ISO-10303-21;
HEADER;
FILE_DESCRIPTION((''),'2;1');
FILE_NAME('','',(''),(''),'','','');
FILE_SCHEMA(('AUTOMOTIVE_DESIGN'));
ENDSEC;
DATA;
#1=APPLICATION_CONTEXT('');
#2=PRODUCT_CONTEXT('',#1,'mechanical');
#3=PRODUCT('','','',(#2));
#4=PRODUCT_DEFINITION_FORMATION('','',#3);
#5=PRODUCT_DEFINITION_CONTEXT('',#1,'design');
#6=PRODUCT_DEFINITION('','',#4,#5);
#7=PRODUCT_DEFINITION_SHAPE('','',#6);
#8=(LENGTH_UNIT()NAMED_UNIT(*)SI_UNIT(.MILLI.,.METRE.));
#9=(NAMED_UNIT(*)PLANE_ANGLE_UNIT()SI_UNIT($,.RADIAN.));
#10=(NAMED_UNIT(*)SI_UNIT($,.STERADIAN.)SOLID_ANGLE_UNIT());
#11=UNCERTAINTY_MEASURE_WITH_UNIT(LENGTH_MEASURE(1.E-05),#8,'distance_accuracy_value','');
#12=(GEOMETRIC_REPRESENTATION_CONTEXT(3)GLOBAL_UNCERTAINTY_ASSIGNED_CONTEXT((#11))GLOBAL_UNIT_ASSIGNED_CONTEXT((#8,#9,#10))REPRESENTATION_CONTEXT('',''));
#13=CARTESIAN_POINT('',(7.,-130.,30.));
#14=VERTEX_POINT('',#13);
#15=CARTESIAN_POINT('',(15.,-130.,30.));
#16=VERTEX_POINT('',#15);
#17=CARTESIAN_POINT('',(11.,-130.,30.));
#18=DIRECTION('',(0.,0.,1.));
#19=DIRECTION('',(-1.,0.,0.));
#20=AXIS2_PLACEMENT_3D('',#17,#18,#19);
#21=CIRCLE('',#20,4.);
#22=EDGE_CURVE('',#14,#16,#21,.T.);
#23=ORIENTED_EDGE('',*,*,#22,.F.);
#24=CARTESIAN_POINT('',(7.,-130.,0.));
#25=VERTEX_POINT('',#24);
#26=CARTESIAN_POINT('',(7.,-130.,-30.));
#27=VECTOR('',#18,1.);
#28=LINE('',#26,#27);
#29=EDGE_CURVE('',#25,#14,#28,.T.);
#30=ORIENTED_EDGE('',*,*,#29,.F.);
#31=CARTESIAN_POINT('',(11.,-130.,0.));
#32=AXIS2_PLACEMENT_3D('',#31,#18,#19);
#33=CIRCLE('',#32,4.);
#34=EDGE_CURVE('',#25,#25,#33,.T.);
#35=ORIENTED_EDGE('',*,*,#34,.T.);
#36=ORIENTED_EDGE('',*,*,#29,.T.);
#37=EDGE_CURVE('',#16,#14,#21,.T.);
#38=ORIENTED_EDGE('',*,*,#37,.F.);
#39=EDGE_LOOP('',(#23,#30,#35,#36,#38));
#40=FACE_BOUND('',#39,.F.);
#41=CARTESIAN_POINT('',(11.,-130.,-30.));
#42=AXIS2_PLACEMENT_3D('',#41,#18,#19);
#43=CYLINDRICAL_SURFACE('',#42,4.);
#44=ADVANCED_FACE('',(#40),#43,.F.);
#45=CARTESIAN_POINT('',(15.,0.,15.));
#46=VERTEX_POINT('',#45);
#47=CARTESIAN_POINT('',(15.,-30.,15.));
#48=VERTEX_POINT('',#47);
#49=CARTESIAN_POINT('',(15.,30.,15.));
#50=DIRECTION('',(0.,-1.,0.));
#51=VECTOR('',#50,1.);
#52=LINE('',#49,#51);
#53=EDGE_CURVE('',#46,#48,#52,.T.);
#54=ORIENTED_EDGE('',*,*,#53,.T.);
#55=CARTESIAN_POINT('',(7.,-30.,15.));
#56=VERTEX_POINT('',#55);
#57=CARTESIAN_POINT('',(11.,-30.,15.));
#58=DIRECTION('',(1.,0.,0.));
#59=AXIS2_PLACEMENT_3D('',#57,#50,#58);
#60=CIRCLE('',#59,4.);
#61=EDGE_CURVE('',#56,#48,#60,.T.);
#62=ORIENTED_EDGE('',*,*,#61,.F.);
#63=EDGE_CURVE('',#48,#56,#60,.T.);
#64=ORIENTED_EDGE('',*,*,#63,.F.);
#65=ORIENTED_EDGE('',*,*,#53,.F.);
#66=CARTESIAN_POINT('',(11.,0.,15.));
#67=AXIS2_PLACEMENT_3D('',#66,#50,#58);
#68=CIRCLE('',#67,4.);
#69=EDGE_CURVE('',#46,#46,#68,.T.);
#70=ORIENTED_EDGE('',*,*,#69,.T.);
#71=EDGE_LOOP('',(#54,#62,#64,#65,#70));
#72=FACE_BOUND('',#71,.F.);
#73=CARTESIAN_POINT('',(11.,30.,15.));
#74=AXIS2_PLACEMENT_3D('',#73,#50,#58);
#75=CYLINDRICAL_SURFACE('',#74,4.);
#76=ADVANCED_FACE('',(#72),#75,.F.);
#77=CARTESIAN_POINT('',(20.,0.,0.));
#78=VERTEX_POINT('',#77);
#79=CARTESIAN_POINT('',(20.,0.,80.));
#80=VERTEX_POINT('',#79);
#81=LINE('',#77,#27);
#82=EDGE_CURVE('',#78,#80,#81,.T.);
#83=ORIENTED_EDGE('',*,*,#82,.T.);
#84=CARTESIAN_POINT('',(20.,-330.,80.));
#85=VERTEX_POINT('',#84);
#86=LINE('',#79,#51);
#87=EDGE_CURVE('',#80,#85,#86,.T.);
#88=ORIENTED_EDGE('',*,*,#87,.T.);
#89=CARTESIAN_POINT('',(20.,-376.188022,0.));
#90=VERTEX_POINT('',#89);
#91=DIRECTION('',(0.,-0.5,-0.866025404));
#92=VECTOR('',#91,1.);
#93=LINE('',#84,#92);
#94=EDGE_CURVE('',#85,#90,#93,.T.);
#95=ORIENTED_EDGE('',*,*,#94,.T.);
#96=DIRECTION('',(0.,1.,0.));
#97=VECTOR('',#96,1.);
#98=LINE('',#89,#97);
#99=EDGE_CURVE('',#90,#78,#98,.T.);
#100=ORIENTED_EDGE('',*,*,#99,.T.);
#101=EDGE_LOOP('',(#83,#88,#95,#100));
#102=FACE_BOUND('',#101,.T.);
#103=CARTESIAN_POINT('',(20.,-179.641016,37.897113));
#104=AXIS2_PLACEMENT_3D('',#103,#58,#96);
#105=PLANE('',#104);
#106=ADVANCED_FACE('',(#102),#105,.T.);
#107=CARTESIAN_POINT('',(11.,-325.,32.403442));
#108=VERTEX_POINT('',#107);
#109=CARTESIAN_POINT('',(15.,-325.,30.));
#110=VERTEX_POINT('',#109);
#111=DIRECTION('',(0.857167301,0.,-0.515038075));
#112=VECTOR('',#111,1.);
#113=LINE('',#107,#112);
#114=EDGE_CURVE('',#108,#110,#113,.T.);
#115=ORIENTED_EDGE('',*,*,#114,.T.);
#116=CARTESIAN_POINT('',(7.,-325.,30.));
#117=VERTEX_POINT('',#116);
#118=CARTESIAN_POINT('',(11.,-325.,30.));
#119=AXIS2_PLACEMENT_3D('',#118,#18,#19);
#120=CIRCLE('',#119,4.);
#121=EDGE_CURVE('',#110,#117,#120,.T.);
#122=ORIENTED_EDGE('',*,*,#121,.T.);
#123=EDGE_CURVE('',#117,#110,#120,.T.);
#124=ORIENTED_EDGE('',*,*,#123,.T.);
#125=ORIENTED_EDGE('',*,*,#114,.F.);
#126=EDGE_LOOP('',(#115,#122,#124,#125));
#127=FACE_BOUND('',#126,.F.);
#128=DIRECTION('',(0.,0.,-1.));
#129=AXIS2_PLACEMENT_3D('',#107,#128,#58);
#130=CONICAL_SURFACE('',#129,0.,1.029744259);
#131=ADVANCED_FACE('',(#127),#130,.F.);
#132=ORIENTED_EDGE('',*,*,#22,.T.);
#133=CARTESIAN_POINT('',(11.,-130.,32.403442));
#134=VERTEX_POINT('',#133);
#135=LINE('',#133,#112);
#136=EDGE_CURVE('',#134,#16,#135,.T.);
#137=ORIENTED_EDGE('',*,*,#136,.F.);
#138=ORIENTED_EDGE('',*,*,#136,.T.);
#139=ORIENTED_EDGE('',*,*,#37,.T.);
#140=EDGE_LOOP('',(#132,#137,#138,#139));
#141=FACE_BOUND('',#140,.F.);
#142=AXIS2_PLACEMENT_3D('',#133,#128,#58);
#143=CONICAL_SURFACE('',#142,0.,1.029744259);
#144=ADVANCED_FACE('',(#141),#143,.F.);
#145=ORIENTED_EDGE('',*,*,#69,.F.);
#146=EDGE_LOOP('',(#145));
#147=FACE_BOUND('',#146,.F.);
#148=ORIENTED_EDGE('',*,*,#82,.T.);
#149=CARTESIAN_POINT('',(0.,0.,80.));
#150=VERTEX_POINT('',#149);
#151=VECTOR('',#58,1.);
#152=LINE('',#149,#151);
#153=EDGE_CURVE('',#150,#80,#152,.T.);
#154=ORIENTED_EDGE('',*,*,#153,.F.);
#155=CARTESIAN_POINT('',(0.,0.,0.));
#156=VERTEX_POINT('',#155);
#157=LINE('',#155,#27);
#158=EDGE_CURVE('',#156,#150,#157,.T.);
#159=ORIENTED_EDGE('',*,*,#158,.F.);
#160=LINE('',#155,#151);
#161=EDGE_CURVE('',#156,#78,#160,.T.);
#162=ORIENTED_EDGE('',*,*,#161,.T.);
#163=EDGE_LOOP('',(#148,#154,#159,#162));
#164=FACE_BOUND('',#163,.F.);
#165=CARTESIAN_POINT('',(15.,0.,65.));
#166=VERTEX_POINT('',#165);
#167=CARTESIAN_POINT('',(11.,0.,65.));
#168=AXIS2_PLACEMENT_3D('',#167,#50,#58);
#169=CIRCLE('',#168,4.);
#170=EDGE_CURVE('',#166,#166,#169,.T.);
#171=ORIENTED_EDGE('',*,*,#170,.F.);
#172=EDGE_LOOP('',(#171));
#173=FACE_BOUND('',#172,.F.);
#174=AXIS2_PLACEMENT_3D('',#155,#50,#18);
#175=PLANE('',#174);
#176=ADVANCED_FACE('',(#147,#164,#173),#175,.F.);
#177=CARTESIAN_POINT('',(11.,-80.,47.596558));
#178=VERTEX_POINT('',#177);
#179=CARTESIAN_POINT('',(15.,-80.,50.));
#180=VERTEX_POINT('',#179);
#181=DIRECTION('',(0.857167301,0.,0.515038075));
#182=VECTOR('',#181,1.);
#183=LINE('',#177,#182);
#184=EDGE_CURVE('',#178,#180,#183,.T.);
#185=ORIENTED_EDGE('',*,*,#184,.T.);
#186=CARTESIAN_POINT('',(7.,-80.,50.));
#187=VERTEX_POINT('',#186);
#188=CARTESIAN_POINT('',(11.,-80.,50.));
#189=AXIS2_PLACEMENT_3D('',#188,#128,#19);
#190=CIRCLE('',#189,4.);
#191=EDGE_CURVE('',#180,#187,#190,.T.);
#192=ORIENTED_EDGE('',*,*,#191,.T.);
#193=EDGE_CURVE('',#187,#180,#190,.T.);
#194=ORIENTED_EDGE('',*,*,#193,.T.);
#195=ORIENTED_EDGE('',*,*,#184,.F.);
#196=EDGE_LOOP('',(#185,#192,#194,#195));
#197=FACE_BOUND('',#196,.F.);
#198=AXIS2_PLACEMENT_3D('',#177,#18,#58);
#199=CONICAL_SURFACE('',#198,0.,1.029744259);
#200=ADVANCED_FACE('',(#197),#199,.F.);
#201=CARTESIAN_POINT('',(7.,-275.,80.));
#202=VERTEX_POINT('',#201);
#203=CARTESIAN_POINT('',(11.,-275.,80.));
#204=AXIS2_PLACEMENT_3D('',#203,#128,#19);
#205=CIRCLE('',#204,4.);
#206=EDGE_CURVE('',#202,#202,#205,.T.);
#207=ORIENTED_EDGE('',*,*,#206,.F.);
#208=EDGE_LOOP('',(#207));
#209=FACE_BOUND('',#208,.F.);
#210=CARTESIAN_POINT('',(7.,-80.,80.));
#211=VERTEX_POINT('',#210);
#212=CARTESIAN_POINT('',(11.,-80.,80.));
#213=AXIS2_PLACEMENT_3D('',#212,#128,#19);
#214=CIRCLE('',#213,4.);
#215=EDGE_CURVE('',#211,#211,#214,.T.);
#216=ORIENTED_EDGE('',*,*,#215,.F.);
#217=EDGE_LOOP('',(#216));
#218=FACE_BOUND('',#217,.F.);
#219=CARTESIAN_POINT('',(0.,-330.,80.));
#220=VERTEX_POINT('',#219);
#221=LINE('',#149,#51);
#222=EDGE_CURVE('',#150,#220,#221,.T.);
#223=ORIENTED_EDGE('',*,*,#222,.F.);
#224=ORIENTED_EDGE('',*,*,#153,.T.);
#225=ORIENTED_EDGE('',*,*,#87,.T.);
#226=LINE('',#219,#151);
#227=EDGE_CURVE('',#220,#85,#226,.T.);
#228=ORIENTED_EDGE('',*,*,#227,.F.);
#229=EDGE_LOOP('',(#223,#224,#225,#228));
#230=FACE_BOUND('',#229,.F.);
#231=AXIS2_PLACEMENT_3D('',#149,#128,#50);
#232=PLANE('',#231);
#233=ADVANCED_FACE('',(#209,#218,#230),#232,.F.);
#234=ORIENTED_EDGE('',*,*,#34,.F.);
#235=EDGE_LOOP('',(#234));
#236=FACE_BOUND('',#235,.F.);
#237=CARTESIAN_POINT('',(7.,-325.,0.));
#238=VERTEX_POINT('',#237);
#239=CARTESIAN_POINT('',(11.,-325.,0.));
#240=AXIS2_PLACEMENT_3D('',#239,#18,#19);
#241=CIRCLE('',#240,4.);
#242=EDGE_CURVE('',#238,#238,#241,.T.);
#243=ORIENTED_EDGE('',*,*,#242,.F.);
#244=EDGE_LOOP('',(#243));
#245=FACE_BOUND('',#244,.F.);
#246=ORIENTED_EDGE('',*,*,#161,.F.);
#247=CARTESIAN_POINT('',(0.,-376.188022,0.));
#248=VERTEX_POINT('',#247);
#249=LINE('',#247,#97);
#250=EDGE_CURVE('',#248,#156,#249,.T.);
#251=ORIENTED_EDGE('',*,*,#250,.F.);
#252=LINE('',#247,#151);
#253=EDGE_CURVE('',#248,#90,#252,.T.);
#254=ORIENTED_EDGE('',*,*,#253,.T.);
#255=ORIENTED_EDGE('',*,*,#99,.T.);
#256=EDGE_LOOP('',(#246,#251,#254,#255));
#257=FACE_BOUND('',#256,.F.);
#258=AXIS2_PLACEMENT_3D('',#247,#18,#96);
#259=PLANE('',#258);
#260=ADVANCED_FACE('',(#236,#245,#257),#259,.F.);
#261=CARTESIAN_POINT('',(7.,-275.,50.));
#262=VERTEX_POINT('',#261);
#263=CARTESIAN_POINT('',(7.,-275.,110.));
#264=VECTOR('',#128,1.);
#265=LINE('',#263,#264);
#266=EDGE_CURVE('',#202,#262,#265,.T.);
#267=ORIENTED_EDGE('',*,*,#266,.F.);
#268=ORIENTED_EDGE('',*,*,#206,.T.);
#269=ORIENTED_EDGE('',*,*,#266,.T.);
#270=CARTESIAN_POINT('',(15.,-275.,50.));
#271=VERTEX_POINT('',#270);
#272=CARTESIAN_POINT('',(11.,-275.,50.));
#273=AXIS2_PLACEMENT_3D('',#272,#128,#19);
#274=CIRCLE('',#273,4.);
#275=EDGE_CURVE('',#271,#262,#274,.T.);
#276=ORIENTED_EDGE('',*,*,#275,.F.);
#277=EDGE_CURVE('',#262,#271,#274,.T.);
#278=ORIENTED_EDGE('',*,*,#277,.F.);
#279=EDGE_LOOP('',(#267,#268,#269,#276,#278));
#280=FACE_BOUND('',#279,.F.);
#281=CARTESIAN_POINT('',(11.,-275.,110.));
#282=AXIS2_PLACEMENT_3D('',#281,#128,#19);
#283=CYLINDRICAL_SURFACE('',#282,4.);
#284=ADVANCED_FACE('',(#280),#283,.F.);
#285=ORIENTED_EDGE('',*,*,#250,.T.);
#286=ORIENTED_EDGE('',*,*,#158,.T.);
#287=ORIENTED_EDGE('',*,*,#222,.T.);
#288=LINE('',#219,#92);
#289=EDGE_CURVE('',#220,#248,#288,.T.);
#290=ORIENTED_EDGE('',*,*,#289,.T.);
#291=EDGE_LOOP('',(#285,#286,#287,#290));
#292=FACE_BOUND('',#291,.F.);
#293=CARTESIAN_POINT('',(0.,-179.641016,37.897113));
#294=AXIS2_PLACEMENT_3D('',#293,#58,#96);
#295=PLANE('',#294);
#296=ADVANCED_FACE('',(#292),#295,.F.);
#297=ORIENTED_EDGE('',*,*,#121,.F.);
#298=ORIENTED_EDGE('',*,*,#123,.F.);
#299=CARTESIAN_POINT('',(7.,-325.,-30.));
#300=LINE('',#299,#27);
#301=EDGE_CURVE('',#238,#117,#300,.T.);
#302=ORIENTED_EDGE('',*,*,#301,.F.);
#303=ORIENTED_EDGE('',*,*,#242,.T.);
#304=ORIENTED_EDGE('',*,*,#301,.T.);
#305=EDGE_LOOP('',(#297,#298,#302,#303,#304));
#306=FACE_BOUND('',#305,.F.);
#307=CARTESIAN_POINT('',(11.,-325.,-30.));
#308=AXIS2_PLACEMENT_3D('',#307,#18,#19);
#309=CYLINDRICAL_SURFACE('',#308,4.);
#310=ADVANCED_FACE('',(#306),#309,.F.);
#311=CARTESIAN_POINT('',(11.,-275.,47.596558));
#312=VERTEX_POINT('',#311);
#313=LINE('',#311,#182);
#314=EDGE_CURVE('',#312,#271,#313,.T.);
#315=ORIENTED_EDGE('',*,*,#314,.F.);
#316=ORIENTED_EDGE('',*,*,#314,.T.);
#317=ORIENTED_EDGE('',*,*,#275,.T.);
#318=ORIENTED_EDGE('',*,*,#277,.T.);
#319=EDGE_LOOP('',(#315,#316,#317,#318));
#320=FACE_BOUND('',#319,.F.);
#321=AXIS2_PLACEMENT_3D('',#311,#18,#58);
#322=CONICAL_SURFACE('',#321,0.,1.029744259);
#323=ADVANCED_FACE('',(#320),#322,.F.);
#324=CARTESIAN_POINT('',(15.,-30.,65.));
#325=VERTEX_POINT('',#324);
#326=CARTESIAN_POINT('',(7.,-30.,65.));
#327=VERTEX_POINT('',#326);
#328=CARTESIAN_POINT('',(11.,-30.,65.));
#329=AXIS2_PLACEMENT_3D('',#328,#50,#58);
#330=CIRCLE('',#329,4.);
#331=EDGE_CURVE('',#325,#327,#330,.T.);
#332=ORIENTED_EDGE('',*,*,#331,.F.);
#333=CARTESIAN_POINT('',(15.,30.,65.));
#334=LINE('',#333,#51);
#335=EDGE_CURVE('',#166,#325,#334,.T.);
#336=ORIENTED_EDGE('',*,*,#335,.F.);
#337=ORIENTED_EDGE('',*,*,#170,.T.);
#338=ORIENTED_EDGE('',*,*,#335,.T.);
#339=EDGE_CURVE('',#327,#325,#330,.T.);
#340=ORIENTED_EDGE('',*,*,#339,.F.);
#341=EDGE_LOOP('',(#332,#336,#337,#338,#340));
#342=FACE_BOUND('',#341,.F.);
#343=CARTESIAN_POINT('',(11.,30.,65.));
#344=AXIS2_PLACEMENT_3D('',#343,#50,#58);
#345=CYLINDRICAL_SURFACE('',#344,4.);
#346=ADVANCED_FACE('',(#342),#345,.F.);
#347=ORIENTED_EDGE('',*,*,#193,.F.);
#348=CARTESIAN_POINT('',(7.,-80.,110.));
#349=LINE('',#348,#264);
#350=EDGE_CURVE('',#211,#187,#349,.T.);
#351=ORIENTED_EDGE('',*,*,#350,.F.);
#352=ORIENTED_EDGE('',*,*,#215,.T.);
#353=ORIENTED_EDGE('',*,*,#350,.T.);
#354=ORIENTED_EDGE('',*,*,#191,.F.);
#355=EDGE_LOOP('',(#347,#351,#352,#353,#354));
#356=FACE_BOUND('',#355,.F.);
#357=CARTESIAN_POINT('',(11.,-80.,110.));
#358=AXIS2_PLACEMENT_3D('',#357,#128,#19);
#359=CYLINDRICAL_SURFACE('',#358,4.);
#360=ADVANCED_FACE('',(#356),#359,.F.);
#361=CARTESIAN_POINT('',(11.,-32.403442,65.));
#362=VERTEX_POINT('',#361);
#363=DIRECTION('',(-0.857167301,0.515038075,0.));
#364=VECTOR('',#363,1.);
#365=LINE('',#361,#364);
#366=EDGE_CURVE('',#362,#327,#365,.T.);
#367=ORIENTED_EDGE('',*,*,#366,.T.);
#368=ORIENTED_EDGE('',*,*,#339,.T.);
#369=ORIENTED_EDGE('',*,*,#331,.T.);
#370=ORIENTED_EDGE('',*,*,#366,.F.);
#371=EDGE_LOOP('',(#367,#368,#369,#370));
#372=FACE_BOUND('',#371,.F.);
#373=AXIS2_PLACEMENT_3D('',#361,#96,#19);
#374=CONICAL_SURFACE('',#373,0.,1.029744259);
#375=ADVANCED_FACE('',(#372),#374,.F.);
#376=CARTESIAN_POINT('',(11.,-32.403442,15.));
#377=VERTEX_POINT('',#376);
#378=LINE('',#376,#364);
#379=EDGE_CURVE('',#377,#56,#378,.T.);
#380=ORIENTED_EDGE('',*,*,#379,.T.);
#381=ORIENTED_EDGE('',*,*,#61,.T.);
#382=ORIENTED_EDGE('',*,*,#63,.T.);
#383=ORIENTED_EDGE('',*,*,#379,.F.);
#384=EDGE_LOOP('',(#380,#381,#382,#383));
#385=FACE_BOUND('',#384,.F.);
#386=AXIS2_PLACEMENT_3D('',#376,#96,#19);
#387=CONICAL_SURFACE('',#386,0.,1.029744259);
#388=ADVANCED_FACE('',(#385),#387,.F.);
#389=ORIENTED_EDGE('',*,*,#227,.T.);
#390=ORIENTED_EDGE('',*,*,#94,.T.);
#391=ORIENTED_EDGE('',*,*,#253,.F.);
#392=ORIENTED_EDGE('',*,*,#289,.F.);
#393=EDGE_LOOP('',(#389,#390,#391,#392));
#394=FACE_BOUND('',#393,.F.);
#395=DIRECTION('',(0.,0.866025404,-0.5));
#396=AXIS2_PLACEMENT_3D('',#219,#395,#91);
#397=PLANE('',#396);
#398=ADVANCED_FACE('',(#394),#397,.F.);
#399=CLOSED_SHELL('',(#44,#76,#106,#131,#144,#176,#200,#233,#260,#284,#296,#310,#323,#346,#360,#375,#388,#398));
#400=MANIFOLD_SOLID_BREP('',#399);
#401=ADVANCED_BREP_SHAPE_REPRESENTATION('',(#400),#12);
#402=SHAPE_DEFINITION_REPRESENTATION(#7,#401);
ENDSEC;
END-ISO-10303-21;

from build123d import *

# Parameters (mm, degrees)
F1_DEPTH       = 20
F5_D           = 8
F5_DEPTH       = 30
F5_TIP         = 2.4034424761
F5_ON_F3_D     = 8
F5_ON_F3_DEPTH = 30
F5_ON_F3_TIP   = 2.4034424761
F5_ON_F4_D     = 8
F5_ON_F4_DEPTH = 30
F5_ON_F4_TIP   = 2.4034424761


with BuildPart() as f1:
    # F0 (on Right) → F1 (new body)
    with BuildSketch(Plane.YZ):
        Polygon((-376.1880215352, 0), (0, 0), (0, 80), (-330, 80), align=None)
    extrude(amount=F1_DEPTH)

    # F5
    with Locations(Plane(origin=(0, 0, 0), x_dir=(1, 0, 0), z_dir=(0, 0, -1))):
        with Locations((11, 325), (11, 130)):
            Hole(F5_D / 2, depth=F5_DEPTH)
            with Locations((0, 0, -(F5_DEPTH + F5_TIP / 2))):  # 118° drill point
                Cone(0, F5_D / 2, F5_TIP, mode=Mode.SUBTRACT)

    # F5 on F3
    with Locations(Plane(origin=(0, 0, 0), x_dir=(-1, 0, 0), z_dir=(0, 1, 0))):
        with Locations((-11, 15), (-11, 65)):
            Hole(F5_ON_F3_D / 2, depth=F5_ON_F3_DEPTH)
            with Locations((0, 0, -(F5_ON_F3_DEPTH + F5_ON_F3_TIP / 2))):  # 118° drill point
                Cone(0, F5_ON_F3_D / 2, F5_ON_F3_TIP, mode=Mode.SUBTRACT)

    # F5 on F4
    with Locations(Plane.XY.offset(80)):
        with Locations((11, -275), (11, -80)):
            Hole(F5_ON_F4_D / 2, depth=F5_ON_F4_DEPTH)
            with Locations((0, 0, -(F5_ON_F4_DEPTH + F5_ON_F4_TIP / 2))):  # 118° drill point
                Cone(0, F5_ON_F4_D / 2, F5_ON_F4_TIP, mode=Mode.SUBTRACT)


solid = f1.part
